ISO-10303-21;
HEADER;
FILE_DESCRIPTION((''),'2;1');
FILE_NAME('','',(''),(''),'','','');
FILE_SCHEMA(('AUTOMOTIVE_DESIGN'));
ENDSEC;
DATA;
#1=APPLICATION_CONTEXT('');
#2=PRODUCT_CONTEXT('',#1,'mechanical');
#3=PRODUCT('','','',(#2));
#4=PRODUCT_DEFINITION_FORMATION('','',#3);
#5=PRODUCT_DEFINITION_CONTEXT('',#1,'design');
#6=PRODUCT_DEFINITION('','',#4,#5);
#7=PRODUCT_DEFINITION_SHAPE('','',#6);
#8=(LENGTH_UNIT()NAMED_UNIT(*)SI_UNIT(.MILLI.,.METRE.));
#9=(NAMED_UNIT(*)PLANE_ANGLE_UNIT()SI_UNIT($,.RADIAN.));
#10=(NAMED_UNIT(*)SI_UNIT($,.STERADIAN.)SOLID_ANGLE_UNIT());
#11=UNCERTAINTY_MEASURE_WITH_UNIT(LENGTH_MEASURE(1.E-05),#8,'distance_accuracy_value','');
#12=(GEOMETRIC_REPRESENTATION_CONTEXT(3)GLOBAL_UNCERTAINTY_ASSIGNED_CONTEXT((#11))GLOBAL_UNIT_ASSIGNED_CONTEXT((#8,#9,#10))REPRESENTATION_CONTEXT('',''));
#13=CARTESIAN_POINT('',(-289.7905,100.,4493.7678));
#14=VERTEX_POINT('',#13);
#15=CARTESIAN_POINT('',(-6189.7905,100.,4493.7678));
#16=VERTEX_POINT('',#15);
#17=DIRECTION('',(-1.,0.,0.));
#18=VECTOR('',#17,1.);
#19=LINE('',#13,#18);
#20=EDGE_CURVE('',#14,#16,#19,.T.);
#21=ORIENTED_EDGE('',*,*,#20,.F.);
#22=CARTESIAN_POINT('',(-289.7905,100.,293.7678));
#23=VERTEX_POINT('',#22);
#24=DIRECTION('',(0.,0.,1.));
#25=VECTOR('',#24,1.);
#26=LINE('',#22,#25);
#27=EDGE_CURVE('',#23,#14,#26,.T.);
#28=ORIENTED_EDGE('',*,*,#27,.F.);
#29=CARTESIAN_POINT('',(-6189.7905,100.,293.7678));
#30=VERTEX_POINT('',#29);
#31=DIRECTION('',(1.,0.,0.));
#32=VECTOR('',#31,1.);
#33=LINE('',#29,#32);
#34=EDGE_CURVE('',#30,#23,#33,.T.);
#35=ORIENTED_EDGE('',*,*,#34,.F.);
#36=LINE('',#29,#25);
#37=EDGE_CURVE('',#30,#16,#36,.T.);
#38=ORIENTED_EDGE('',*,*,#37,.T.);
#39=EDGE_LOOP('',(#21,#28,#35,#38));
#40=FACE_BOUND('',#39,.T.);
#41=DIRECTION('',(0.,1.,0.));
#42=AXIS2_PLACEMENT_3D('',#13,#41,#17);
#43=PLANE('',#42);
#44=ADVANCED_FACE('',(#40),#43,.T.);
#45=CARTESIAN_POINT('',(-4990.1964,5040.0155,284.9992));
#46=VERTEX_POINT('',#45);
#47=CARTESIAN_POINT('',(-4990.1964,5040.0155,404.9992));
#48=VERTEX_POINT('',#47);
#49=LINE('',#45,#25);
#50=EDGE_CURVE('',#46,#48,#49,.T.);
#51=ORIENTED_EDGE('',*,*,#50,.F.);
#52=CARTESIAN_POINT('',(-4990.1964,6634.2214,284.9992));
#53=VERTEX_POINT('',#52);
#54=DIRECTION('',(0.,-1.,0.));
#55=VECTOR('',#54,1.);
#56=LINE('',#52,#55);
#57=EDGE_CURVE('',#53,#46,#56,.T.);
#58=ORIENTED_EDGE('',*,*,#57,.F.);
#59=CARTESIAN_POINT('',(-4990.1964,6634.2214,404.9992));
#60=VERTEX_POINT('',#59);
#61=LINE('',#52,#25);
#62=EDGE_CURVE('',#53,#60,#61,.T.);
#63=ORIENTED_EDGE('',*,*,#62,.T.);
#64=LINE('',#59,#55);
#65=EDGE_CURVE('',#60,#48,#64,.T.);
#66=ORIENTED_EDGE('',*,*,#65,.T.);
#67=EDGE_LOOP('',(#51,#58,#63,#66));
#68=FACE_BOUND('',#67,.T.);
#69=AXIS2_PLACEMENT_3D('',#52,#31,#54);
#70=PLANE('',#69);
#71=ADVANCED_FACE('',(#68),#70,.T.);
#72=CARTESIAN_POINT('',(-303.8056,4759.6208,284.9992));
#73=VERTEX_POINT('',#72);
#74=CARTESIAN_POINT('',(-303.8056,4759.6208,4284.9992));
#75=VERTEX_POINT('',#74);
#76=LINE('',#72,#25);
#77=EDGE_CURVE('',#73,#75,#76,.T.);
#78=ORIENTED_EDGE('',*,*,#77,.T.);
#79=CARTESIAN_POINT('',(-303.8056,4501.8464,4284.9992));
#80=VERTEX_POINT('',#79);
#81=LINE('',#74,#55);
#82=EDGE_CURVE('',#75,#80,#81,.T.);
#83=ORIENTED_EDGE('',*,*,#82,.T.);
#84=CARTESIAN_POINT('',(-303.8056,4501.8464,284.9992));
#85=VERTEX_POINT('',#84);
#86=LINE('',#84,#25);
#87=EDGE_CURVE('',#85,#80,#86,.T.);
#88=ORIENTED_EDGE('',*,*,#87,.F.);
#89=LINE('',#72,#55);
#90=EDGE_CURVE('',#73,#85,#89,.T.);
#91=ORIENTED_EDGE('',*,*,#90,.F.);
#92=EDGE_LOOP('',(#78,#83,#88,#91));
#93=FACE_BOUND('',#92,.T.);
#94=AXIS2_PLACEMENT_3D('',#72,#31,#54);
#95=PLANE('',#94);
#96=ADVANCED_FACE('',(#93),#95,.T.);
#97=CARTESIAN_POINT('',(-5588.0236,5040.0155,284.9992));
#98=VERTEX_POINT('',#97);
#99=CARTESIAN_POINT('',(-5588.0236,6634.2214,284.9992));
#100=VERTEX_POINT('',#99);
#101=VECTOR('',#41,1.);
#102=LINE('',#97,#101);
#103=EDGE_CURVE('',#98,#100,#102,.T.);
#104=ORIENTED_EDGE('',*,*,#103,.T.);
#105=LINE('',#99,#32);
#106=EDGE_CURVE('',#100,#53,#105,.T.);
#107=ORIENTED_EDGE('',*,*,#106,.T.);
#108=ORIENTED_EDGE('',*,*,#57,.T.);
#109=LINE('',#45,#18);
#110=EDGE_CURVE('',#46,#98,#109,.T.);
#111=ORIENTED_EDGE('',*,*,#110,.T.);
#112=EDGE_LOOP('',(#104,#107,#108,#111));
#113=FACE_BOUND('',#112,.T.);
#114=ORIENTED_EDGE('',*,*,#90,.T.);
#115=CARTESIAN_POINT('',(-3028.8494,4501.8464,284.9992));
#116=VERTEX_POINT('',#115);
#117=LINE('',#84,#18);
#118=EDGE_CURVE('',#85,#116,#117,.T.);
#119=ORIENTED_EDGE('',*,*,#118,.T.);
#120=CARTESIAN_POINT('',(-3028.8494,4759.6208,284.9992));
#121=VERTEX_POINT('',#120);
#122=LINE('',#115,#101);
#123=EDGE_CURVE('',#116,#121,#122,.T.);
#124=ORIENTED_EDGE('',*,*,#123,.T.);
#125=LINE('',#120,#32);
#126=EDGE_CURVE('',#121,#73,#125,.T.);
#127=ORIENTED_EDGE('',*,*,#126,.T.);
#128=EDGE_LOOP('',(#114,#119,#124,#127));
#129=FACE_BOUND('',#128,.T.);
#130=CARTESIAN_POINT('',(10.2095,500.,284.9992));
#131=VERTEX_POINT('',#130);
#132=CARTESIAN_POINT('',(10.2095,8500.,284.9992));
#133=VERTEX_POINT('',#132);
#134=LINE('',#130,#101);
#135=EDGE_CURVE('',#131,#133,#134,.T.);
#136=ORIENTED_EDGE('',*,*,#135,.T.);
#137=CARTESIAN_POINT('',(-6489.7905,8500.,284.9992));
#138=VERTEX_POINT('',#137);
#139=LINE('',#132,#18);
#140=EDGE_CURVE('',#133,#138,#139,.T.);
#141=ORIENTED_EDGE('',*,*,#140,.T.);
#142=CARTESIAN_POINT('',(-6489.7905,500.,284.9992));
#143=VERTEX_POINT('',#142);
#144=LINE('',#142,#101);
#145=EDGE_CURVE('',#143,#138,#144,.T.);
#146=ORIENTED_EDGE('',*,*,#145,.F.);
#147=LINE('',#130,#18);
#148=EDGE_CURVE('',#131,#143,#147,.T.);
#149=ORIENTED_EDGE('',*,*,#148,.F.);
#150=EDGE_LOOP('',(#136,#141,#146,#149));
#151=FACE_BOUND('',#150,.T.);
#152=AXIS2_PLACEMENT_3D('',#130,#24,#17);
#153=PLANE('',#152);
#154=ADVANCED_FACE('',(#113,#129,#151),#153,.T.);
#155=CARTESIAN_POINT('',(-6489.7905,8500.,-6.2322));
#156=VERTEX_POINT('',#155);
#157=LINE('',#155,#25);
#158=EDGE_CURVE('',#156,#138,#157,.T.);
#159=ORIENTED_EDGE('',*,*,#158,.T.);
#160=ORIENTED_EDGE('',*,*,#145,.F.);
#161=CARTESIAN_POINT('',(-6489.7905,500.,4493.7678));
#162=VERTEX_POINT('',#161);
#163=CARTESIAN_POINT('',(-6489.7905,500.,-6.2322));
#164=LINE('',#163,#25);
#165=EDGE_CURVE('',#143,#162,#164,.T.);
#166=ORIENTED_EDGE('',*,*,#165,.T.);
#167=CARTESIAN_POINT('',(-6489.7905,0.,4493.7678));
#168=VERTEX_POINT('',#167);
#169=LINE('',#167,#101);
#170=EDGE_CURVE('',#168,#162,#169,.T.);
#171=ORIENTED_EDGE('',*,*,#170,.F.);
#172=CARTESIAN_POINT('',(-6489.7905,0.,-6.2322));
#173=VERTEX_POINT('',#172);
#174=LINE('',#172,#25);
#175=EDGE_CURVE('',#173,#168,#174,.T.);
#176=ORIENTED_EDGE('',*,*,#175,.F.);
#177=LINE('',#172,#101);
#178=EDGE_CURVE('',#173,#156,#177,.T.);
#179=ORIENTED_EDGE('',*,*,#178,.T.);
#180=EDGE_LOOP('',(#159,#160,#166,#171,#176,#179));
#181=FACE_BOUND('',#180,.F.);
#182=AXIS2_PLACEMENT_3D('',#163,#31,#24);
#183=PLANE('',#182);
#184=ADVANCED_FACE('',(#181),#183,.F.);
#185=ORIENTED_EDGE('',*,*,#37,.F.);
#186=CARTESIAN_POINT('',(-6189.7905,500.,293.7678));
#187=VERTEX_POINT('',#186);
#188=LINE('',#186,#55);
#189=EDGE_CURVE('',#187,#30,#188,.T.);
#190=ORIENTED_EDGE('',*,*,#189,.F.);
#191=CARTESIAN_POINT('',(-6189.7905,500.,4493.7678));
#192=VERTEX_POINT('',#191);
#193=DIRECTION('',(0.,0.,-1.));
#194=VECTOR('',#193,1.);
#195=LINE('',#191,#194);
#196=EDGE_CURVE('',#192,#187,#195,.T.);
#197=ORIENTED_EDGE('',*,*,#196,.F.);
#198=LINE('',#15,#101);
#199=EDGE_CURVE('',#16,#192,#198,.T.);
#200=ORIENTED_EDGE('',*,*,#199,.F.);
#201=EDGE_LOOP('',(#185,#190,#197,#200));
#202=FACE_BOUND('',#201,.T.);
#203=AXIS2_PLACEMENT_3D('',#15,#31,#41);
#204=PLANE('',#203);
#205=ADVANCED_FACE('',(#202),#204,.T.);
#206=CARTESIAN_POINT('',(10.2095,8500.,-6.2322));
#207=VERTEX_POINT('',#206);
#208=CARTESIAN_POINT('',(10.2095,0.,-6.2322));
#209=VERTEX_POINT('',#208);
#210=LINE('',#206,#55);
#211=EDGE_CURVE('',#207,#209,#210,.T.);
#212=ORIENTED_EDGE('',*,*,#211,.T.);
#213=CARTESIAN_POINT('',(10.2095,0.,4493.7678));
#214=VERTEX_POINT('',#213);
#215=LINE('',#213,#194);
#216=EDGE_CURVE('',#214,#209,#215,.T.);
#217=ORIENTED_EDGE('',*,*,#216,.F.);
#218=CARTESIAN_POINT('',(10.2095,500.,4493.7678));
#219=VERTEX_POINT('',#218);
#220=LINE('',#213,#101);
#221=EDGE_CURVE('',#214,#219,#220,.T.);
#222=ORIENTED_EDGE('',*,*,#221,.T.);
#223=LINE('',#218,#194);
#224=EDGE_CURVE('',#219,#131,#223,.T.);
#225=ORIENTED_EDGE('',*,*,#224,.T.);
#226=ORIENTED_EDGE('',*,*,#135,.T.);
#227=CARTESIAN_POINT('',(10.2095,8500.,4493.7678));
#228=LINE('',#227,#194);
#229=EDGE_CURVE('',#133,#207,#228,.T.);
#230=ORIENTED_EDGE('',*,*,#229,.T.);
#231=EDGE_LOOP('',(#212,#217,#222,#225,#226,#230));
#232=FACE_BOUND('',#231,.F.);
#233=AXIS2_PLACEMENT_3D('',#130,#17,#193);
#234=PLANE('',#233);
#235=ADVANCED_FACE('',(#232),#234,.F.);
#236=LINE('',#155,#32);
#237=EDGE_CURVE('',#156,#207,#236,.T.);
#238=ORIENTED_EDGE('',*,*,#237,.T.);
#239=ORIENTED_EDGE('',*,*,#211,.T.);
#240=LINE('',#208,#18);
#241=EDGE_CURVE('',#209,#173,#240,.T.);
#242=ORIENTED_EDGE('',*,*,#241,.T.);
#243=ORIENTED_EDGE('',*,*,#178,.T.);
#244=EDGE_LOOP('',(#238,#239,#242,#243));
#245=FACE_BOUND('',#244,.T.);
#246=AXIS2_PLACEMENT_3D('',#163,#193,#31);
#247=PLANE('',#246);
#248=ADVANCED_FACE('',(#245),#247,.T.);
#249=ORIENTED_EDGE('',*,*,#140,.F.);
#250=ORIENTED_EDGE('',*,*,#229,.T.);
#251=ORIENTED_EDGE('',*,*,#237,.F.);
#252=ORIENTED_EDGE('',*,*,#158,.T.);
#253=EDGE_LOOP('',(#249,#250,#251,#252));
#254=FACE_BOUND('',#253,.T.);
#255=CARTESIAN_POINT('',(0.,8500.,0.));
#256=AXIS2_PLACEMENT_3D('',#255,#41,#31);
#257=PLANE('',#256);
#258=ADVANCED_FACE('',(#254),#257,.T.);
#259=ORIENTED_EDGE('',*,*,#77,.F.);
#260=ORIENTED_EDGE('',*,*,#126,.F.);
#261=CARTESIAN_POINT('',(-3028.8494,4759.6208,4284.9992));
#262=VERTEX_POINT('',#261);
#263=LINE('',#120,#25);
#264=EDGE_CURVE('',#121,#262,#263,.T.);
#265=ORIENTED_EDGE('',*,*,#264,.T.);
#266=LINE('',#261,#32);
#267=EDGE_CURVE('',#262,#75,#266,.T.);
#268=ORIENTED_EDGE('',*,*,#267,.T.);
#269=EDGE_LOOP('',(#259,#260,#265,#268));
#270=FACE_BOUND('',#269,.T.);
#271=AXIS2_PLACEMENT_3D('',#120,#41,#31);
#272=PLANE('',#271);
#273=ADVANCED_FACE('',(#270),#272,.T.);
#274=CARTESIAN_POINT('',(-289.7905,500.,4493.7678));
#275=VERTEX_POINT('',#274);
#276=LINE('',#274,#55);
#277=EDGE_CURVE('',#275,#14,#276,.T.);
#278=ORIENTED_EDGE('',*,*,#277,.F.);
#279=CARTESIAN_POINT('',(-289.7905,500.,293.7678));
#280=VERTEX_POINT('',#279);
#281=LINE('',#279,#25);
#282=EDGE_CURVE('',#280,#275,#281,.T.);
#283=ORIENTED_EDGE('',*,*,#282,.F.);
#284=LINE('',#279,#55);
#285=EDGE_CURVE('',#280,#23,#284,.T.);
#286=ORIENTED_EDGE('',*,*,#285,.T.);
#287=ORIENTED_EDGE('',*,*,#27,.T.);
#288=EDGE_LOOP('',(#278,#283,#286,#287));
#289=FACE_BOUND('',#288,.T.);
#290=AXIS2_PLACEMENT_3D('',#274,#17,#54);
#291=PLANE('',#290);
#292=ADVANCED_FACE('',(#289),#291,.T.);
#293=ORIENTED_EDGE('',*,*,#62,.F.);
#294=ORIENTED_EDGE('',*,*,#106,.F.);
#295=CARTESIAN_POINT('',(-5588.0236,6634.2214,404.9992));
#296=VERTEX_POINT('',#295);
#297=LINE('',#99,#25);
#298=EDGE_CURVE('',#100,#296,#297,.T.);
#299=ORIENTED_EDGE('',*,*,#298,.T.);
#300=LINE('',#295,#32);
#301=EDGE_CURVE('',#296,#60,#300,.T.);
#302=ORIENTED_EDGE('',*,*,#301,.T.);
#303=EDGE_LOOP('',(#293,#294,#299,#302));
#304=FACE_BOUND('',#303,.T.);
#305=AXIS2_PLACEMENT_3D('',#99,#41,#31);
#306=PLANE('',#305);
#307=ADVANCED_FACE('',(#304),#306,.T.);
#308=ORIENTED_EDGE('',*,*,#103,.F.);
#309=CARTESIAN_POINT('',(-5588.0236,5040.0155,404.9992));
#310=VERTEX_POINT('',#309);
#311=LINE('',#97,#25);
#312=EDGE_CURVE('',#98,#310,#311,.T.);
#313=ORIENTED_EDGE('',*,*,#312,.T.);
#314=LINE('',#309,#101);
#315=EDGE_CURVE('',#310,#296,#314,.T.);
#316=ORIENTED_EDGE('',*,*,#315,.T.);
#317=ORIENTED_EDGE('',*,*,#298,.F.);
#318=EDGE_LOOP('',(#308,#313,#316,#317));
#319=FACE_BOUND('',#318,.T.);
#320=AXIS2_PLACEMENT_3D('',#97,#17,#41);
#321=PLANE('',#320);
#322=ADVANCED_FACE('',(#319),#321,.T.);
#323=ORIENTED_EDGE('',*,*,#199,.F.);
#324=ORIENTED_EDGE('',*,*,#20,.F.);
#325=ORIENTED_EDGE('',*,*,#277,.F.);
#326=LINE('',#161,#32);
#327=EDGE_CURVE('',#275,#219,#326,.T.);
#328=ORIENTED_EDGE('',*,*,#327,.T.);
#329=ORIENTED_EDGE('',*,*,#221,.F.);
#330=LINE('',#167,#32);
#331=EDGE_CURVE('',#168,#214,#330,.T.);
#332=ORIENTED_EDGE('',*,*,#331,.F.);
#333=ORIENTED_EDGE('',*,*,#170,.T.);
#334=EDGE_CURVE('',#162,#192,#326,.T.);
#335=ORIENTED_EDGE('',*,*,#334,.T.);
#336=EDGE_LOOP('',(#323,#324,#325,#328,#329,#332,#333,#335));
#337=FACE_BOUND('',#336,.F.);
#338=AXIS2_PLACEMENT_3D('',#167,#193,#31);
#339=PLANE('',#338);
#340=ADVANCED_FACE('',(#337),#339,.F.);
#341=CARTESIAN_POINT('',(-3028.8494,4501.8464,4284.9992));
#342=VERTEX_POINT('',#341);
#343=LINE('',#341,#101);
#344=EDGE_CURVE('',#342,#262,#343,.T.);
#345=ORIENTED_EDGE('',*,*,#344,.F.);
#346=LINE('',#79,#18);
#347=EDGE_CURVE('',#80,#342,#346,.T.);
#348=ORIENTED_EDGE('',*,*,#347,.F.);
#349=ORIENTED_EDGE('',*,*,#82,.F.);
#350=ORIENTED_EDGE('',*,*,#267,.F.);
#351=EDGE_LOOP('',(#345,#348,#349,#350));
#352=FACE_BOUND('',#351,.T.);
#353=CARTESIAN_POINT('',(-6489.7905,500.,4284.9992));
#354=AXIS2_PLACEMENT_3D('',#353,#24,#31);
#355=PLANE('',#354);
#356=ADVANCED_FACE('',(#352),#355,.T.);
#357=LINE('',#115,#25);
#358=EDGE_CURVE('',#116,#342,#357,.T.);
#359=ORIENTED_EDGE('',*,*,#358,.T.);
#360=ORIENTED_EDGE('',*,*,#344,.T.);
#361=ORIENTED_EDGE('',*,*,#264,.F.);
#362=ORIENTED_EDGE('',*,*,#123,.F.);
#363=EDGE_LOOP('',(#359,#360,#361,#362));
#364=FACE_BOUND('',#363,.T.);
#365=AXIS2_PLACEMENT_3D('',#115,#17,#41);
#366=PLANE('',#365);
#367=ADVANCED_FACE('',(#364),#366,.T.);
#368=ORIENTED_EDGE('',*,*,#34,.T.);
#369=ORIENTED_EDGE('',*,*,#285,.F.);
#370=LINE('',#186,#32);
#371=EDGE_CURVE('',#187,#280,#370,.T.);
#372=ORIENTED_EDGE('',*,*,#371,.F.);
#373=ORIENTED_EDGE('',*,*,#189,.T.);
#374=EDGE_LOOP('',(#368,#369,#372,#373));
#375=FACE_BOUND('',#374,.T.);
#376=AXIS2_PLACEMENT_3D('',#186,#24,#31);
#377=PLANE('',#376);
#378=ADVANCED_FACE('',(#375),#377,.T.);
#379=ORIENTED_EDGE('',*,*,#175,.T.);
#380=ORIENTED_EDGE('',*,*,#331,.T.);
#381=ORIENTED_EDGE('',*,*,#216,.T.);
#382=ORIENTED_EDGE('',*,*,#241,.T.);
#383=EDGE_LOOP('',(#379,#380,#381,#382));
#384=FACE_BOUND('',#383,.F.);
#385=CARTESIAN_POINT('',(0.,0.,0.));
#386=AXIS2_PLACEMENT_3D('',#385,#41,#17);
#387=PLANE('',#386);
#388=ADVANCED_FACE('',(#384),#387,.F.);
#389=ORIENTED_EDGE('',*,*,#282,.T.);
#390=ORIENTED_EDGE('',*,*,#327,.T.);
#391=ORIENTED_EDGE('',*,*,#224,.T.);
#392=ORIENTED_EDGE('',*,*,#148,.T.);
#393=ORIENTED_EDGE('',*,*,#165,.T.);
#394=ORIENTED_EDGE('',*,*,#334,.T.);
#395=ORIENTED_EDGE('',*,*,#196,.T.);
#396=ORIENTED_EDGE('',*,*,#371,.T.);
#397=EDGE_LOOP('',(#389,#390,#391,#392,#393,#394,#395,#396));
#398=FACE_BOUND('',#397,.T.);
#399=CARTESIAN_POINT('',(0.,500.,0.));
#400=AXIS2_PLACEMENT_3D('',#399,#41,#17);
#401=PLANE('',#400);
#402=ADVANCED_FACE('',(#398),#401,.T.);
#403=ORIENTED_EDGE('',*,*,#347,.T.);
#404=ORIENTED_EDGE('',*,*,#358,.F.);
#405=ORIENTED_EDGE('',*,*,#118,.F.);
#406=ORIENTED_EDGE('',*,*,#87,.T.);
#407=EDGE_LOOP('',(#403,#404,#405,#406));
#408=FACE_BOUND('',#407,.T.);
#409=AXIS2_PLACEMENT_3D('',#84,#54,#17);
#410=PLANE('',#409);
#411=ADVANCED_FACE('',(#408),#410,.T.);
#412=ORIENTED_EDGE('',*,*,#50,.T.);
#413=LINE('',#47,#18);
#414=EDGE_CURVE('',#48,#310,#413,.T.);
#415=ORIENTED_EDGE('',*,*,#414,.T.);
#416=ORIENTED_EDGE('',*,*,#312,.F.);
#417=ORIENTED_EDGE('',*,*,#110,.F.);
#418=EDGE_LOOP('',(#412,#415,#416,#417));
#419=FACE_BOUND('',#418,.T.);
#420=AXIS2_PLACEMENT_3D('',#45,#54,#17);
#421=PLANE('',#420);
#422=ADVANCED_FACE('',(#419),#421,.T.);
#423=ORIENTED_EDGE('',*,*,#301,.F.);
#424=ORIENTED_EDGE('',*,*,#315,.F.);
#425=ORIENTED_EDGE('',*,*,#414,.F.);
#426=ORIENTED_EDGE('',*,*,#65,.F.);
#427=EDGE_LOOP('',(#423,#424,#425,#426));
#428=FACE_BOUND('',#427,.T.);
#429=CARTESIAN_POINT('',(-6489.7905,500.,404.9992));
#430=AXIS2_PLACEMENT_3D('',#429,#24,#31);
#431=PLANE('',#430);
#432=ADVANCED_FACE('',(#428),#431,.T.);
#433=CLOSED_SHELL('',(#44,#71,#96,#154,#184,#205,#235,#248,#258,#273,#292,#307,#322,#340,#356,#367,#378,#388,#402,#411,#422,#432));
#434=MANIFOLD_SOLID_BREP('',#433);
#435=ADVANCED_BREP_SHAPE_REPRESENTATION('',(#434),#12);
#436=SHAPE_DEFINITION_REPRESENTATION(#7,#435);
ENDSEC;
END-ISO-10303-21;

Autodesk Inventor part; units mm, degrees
ref_plane "YZ Plane" through (0, 0, 0) normal (1, 0, 0) x (0, 1, 0)
ref_plane "XZ Plane" through (0, 0, 0) normal (0, 1, 0) x (-1, 0, 0)
ref_plane "XY Plane" through (0, 0, 0) normal (0, 0, 1) x (1, 0, 0)
sketch "Sketch1" plane through (0, 0, 0) normal (0, 1, 0) x (-1, 0, 0)
  line L0 (6489.7905, 4493.7678) -> (-10.2095, 4493.7678)
  line L1 (-10.2095, 4493.7678) -> (-10.2095, -6.2322)
  line L2 (-10.2095, -6.2322) -> (6489.7905, -6.2322)
  line L3 (6489.7905, -6.2322) -> (6489.7905, 4493.7678)
  point P0 (0, 0)
  dimension "d0" = 6500
  dimension "d1" = 4500
extrude "Extrusion1" add sketch "Sketch1" along normal blind 500
sketch "Sketch6" plane through (0, 500, 0) normal (0, 1, 0) x (1, 0, 0)
  line L0 (-6189.7905, -293.7678) -> (-289.7905, -293.7678)
  line L1 (-289.7905, -293.7678) -> (-289.7905, -4193.7678)
  line L2 (-289.7905, -4193.7678) -> (-6189.7905, -4193.7678)
  line L3 (-6189.7905, -4193.7678) -> (-6189.7905, -293.7678)
  line L4 (10.2095, 6.2322) -> (-6489.7905, 6.2322) projected
  line L5 (-6489.7905, -4493.7678) -> (10.2095, -4493.7678) projected
  line L6 (-6489.7905, 6.2322) -> (-6489.7905, -4493.7678) projected
  line L7 (10.2095, -4493.7678) -> (10.2095, 6.2322) projected
  point P0 (0, 0)
  dimension "d22" = 300
  dimension "d23" = 300
  dimension "d24" = 300
  dimension "d25" = 300
extrude "Extrusion5" cut sketch "Sketch6" against normal blind 400 contours L0 L1 L2 L3
sketch "Sketch7" plane through (0, 500, 0) normal (0, 1, 0) x (1, 0, 0)
  line L0 (-6489.7905, 6.2322) -> (-6489.7905, -4493.7678) projected
  line L1 (10.2095, -4493.7678) -> (10.2095, 6.2322) projected
  line L2 (-6489.7905, 6.2322) -> (10.2095, 6.2322)
  line L3 (10.2095, 6.2322) -> (10.2095, -284.9992)
  line L4 (10.2095, -284.9992) -> (-6489.7905, -284.9992)
  line L5 (-6489.7905, -284.9992) -> (-6489.7905, 6.2322)
  point P0 (0, 0)
extrude "Extrusion6" add sketch "Sketch7" along normal blind 8000
sketch "Sketch8" plane through (-6489.7905, 0, 4493.7678) normal (0, 0, 1) x (1, 0, 0)
  line L0 (6200, 500) -> (300, 500) projected
  line L1 (300, 500) -> (6200, 500)
  line L2 (6200, 500) -> (6200, 100)
  line L3 (6200, 100) -> (300, 100)
  line L4 (300, 100) -> (300, 500)
  line L5 (6500, 0) -> (6500, 500) projected
  line L6 (0, 0) -> (6500, 0) projected
  point P0 (6489.7905, 0)
  dimension "d30" = 300
  dimension "d31" = 100
extrude "Extrusion7" cut sketch "Sketch8" against normal blind 300
sketch "Sketch9" plane through (-6489.7905, 500, 284.9992) normal (0, 0, 1) x (1, 0, 0)
  line L0 (3460.9411, 4259.6208) -> (6185.9849, 4259.6208)
  line L1 (6185.9849, 4259.6208) -> (6185.9849, 4001.8464)
  line L2 (6185.9849, 4001.8464) -> (3460.9411, 4001.8464)
  line L3 (3460.9411, 4001.8464) -> (3460.9411, 4259.6208)
  line L4 (165.1111, 1221.565) -> (2853.33, 1221.565)
  line L5 (2853.33, 1221.565) -> (2853.33, 908.5532)
  line L6 (2853.33, 908.5532) -> (165.1111, 908.5532)
  line L7 (165.1111, 908.5532) -> (165.1111, 1221.565)
  point P0 (6489.7905, -500)
extrude "Extrusion8" add sketch "Sketch9" along normal blind 4000 contours L0 L1 L2 L3
sketch "Sketch11" plane through (-6489.7905, 500, 284.9992) normal (0, 0, 1) x (1, 0, 0)
  line L0 (901.7669, 6134.2214) -> (1499.5941, 6134.2214)
  line L1 (1499.5941, 6134.2214) -> (1499.5941, 4540.0155)
  line L2 (1499.5941, 4540.0155) -> (901.7669, 4540.0155)
  line L3 (901.7669, 4540.0155) -> (901.7669, 6134.2214)
  point P0 (6489.7905, -500)
extrude "Extrusion10" add sketch "Sketch11" along normal blind 120
properties part number "Base model" material "Wood (Maple)"
